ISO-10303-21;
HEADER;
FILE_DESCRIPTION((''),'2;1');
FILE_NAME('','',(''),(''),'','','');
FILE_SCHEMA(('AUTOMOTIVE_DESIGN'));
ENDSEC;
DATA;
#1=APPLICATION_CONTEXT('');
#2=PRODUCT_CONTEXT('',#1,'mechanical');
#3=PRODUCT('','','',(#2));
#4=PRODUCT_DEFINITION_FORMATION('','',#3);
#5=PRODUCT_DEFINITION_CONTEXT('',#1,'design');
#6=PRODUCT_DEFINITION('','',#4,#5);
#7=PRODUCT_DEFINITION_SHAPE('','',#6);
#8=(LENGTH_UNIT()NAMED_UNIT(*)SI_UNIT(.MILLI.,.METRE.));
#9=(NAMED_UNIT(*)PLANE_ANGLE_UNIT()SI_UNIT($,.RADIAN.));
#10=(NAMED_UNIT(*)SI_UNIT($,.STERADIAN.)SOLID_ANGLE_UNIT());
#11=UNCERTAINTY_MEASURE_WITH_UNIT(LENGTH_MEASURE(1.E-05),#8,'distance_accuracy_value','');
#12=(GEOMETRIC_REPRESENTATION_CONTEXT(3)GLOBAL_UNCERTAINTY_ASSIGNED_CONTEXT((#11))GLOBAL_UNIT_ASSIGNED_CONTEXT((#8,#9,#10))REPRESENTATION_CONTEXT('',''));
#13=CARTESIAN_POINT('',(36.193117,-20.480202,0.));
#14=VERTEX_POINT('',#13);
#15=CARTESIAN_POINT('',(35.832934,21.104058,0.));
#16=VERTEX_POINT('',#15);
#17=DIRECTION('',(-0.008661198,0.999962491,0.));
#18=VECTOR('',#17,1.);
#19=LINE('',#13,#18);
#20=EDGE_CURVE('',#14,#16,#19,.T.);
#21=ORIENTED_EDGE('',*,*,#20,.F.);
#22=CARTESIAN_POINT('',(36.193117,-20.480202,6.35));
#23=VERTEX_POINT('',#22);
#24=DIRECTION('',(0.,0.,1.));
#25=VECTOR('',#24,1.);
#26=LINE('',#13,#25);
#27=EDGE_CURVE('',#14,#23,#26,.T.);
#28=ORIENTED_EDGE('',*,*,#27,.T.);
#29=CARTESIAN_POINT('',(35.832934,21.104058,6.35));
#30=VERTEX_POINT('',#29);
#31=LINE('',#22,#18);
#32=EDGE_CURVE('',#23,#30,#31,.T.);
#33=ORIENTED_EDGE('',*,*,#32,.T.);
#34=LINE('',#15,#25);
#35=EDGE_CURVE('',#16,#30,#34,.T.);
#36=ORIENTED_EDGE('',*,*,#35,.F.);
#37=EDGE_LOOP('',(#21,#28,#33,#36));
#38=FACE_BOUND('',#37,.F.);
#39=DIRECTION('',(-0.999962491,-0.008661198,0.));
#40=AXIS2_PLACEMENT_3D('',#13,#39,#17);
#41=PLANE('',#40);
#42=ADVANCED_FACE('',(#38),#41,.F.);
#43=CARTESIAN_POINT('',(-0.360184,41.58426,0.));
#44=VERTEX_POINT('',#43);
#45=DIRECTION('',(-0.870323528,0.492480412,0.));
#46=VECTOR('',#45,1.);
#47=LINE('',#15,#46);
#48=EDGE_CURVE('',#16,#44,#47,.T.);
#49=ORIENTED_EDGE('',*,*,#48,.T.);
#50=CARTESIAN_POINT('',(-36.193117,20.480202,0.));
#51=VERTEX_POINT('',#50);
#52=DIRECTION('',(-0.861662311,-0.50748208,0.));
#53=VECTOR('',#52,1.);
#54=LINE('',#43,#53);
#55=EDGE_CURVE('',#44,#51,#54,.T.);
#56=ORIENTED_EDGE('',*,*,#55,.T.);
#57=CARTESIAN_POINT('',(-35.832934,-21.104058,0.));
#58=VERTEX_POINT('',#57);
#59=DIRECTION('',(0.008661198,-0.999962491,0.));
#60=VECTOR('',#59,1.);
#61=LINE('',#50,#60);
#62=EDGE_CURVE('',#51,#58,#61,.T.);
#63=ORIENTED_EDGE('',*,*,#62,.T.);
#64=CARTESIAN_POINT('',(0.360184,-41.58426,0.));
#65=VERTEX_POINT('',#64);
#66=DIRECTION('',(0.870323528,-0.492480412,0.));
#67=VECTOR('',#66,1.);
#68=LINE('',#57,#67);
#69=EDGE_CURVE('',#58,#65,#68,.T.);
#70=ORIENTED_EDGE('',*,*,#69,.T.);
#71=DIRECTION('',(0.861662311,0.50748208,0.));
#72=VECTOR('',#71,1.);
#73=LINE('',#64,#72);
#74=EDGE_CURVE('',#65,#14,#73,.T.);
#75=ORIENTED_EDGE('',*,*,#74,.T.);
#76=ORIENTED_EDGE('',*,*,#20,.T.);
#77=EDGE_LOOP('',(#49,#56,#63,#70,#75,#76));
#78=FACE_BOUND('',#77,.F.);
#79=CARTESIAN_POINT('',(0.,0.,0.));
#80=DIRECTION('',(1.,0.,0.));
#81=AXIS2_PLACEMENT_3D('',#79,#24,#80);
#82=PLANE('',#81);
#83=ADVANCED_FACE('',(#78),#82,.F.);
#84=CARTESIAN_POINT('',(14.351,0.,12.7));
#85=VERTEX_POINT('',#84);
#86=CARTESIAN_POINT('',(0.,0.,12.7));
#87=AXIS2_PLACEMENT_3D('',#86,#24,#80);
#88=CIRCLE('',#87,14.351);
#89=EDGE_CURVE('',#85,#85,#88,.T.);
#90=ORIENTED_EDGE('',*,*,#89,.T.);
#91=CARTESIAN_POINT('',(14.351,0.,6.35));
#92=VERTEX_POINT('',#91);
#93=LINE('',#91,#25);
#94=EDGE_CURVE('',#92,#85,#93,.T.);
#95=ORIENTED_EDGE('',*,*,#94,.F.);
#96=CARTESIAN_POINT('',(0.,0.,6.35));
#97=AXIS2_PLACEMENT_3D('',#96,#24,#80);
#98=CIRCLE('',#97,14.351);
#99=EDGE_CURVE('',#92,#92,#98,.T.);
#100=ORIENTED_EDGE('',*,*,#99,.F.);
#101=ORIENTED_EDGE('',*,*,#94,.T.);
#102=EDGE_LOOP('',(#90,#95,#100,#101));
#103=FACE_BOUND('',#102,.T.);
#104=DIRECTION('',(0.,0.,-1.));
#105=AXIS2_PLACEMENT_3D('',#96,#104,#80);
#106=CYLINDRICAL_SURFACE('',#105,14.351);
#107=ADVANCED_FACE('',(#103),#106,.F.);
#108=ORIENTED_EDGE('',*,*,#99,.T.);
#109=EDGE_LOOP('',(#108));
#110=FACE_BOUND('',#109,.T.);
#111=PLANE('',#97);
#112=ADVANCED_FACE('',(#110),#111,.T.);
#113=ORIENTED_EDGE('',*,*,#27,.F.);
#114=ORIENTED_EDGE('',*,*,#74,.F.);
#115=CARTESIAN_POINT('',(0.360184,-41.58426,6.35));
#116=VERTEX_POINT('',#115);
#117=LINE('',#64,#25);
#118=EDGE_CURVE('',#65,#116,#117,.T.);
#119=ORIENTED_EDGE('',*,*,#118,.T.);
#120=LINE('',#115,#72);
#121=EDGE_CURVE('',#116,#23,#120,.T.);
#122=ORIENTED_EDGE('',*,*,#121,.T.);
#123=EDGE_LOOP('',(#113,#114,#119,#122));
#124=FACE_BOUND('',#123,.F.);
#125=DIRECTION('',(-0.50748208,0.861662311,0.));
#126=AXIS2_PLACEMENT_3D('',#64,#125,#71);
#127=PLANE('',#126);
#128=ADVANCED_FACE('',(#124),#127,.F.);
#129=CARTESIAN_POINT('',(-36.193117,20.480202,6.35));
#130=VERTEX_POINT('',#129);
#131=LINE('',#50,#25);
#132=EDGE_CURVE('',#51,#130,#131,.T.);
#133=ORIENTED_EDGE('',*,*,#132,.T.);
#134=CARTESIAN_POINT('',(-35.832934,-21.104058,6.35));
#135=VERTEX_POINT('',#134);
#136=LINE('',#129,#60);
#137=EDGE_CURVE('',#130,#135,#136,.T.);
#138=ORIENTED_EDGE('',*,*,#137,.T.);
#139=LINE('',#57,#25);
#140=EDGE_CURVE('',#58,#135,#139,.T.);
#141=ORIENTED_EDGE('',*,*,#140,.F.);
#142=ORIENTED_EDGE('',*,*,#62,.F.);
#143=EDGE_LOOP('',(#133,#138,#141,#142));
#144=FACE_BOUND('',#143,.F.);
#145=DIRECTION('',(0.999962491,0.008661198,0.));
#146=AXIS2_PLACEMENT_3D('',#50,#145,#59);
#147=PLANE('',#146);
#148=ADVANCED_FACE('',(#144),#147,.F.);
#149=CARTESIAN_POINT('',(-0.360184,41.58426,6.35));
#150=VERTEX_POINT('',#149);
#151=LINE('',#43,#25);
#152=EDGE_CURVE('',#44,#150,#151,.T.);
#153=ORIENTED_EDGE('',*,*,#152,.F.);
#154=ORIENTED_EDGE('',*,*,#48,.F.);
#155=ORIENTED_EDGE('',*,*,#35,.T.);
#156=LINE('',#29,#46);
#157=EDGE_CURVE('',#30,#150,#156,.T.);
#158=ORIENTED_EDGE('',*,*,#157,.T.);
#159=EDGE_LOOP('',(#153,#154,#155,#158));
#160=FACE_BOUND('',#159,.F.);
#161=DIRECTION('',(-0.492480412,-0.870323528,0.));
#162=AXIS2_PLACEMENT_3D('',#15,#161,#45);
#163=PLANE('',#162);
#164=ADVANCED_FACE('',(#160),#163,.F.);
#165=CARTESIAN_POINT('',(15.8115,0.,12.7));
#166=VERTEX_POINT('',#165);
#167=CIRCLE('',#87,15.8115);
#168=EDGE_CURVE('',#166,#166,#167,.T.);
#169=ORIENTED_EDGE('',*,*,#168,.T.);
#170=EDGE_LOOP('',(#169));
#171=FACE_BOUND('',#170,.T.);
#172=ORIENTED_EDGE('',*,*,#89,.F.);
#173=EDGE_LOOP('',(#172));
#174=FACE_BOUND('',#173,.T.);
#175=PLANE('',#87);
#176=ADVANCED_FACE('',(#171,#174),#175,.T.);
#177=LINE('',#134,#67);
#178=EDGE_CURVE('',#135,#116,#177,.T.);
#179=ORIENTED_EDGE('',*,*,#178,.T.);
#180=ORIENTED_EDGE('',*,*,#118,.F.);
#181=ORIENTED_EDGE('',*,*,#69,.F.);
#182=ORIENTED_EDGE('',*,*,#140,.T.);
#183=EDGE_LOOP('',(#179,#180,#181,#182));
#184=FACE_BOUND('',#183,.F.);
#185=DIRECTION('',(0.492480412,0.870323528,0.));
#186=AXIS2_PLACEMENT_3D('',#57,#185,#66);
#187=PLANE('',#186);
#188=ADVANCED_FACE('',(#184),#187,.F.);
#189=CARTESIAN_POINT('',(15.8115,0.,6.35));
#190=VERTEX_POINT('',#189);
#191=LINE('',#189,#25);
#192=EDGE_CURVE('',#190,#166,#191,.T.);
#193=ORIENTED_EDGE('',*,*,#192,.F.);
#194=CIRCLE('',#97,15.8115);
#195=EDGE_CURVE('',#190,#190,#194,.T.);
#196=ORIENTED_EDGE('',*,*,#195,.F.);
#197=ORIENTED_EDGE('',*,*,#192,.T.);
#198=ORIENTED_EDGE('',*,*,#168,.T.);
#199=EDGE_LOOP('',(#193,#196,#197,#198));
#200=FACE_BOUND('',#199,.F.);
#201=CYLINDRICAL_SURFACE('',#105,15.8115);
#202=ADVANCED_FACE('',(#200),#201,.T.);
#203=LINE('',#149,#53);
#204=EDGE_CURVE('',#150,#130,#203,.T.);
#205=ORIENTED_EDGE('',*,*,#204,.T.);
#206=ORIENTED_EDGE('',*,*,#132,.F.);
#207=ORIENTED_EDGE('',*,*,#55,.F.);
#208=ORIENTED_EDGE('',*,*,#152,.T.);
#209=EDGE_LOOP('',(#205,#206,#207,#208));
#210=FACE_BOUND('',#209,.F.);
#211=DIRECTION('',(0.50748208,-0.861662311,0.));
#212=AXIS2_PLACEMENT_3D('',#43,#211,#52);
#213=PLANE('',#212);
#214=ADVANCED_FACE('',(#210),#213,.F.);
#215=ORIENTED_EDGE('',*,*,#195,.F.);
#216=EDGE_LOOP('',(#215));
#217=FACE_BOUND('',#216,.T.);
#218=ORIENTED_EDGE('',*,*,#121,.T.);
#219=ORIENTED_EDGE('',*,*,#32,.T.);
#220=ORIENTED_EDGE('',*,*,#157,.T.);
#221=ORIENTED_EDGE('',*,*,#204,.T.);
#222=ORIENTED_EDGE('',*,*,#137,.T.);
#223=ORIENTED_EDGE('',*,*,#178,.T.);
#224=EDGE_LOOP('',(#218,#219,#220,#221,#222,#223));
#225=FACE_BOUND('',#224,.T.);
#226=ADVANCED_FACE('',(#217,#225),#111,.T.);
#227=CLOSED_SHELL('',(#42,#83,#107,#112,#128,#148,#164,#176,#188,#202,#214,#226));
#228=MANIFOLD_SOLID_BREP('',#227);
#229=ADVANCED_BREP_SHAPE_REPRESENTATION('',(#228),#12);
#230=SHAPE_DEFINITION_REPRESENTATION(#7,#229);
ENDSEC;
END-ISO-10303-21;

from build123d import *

# Parameters (mm, degrees)
F1_DEPTH = 6.35
F2_R     = 15.8115
F2_R_2   = 14.351
F3_DEPTH = 6.35


with BuildPart() as f1:
    # F0 (on Top) → F1 (new body)
    with BuildSketch(Plane.XY):
        Polygon((0.360184, -41.58426), (36.193117, -20.480202), (35.832934, 21.104058), (-0.360184, 41.58426), (-36.193117, 20.480202), (-35.832934, -21.104058), align=None)
    extrude(amount=F1_DEPTH)

    # F2 (on face) → F3 (join)
    with BuildSketch(Plane.XY.offset(6.35)):
        Circle(F2_R)
        Circle(F2_R_2, mode=Mode.SUBTRACT)
    extrude(amount=F3_DEPTH)


solid = f1.part
